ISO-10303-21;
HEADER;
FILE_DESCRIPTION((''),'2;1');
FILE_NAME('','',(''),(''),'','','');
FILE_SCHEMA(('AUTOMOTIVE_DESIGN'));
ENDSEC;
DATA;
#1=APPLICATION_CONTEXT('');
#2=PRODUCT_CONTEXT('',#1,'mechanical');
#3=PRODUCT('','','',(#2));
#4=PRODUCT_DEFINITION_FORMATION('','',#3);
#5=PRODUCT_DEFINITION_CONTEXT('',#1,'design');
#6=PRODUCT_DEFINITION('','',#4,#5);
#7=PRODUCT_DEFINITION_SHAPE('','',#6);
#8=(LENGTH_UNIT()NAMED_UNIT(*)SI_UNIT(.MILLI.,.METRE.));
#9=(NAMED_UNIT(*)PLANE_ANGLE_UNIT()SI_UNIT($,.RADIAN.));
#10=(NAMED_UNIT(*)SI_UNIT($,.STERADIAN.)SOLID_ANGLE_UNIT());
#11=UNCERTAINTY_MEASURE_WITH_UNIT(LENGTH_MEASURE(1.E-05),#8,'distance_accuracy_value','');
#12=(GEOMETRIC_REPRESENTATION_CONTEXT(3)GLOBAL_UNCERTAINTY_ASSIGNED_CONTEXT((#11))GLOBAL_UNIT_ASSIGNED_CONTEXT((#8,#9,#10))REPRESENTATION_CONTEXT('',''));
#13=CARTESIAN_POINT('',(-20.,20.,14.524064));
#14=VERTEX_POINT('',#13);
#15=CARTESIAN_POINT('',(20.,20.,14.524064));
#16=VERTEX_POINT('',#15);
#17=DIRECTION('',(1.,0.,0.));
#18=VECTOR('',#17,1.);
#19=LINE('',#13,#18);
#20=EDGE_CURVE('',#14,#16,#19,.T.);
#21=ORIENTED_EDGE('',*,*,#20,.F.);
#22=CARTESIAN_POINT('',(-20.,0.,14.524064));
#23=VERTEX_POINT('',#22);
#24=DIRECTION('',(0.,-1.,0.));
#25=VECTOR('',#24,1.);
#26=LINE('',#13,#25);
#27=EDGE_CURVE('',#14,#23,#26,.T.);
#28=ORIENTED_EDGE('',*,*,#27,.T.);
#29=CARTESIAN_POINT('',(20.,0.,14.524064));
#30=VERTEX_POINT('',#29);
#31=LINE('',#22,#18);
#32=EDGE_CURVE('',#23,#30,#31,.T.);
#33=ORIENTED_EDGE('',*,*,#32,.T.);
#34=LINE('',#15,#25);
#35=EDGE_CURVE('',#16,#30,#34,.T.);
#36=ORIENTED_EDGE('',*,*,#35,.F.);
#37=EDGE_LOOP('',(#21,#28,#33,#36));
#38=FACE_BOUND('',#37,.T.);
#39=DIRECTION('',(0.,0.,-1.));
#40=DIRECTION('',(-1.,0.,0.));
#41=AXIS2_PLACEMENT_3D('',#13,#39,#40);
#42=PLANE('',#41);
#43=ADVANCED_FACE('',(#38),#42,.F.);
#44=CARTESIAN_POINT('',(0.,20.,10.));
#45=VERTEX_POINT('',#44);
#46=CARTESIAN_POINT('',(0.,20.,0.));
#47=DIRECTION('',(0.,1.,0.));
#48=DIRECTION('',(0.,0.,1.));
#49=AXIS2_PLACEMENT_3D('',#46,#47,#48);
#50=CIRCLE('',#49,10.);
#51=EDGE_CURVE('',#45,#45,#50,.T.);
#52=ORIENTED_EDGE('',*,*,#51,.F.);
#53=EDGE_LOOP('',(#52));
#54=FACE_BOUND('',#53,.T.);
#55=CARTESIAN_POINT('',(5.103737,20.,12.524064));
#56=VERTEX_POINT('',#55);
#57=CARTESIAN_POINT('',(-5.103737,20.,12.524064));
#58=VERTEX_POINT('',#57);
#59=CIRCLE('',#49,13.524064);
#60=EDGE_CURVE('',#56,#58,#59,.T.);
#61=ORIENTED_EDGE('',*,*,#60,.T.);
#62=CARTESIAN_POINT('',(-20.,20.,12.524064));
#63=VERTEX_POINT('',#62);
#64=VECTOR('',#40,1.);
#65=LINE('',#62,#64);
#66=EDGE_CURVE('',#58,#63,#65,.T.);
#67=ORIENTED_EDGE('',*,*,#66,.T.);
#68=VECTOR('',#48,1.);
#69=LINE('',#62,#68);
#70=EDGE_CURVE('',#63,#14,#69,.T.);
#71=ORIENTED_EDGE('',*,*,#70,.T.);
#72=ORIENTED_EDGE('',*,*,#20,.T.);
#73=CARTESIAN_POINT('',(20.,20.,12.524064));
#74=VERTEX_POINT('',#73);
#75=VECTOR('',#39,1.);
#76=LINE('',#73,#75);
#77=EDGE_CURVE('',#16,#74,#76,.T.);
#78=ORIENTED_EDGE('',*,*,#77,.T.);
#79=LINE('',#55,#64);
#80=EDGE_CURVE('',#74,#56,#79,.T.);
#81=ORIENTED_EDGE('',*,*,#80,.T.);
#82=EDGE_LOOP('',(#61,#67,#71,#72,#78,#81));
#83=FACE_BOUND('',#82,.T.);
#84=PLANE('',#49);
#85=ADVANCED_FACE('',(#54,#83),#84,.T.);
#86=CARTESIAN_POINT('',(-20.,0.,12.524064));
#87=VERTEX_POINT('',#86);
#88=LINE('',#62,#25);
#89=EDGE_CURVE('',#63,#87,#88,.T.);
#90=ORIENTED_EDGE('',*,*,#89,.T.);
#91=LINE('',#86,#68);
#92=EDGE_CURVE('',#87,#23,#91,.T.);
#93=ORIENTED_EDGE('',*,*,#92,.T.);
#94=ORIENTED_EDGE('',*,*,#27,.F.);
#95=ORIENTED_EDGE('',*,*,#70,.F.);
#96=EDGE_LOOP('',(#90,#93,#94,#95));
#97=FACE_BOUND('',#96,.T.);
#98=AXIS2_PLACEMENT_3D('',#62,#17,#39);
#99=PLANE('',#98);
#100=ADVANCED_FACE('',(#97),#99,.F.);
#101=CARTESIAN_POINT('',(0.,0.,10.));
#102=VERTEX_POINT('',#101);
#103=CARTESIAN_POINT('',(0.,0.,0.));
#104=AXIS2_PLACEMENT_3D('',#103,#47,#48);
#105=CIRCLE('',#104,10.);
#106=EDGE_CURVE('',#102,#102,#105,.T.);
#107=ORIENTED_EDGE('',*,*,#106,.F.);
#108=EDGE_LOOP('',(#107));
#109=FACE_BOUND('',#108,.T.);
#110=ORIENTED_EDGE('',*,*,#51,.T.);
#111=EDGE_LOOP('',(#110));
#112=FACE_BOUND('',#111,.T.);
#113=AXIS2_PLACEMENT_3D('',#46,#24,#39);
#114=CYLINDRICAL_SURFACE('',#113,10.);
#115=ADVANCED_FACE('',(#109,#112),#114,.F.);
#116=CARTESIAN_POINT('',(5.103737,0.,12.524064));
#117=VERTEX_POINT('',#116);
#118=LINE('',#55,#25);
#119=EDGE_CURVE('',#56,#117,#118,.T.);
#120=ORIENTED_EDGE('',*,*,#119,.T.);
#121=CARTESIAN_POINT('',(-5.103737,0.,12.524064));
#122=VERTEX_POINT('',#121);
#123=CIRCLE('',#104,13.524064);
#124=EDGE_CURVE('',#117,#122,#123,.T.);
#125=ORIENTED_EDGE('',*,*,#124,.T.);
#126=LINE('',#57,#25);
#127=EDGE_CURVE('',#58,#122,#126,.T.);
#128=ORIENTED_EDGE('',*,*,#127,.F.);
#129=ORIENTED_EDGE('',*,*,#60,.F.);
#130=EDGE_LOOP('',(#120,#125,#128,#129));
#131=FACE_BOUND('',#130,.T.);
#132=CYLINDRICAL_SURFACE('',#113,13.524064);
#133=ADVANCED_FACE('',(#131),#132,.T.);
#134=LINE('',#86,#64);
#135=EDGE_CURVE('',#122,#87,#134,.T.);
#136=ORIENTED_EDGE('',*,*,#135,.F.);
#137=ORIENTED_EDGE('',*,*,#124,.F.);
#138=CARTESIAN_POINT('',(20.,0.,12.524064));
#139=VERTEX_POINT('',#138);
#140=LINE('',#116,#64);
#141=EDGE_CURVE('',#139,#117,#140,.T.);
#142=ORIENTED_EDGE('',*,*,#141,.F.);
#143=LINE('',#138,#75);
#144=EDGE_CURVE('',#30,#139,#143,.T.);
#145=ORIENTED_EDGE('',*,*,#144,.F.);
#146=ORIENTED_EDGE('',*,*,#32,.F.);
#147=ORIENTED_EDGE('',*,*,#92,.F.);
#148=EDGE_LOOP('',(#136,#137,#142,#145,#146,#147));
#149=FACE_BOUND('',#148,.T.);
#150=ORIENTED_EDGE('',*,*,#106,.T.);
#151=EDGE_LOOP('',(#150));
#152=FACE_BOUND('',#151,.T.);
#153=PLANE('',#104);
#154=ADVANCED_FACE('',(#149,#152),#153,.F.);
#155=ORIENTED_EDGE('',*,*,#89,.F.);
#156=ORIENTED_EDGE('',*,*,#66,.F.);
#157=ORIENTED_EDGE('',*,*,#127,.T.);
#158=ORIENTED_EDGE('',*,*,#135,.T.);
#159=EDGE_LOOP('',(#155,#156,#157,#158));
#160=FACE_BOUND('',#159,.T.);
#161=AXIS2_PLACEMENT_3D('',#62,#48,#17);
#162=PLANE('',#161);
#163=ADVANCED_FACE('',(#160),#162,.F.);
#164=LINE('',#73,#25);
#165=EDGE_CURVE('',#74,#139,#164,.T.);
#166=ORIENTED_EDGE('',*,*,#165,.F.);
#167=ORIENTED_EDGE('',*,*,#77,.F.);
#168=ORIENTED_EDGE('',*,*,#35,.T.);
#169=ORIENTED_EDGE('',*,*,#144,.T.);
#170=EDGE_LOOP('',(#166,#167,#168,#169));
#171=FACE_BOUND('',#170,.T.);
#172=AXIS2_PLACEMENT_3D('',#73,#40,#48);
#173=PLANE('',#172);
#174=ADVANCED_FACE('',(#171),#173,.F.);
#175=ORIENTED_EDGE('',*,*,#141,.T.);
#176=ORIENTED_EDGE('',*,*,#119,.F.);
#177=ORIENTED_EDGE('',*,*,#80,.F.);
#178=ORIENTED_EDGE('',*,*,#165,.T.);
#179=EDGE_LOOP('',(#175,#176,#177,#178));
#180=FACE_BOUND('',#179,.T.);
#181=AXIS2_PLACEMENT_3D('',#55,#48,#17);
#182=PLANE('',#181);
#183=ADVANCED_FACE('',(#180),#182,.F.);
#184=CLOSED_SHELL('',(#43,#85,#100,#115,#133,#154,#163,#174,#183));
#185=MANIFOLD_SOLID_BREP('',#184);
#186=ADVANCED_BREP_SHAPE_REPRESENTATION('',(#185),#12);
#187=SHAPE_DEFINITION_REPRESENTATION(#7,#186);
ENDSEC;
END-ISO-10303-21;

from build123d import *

# Parameters (mm, degrees)
SKETCH1_R           = 10
BOSS_EXTRUDE1_DEPTH = 20


with BuildPart() as part:
    # Sketch1 → Boss-Extrude1 (new body)
    with BuildSketch(Plane(origin=(0, 0, 0), x_dir=(1, 0, 0), z_dir=(0, 1, 0))):
        with BuildLine():
            Line((5.103736684, -12.52406407), (20, -12.52406407))
            Line((20, -12.52406407), (20, -14.52406407))
            Line((20, -14.52406407), (-20, -14.52406407))
            Line((-20, -14.52406407), (-20, -12.52406407))
            Line((-20, -12.52406407), (-5.103736684, -12.52406407))
            ThreePointArc((-5.103736684, -12.52406407), (0, 13.52406407), (5.103736684, -12.52406407))
        make_face()
        with Locations(Location((0, 0, 0), (0, 0, 270))):
            Circle(SKETCH1_R, mode=Mode.SUBTRACT)
    extrude(amount=BOSS_EXTRUDE1_DEPTH)


solid = part.part
